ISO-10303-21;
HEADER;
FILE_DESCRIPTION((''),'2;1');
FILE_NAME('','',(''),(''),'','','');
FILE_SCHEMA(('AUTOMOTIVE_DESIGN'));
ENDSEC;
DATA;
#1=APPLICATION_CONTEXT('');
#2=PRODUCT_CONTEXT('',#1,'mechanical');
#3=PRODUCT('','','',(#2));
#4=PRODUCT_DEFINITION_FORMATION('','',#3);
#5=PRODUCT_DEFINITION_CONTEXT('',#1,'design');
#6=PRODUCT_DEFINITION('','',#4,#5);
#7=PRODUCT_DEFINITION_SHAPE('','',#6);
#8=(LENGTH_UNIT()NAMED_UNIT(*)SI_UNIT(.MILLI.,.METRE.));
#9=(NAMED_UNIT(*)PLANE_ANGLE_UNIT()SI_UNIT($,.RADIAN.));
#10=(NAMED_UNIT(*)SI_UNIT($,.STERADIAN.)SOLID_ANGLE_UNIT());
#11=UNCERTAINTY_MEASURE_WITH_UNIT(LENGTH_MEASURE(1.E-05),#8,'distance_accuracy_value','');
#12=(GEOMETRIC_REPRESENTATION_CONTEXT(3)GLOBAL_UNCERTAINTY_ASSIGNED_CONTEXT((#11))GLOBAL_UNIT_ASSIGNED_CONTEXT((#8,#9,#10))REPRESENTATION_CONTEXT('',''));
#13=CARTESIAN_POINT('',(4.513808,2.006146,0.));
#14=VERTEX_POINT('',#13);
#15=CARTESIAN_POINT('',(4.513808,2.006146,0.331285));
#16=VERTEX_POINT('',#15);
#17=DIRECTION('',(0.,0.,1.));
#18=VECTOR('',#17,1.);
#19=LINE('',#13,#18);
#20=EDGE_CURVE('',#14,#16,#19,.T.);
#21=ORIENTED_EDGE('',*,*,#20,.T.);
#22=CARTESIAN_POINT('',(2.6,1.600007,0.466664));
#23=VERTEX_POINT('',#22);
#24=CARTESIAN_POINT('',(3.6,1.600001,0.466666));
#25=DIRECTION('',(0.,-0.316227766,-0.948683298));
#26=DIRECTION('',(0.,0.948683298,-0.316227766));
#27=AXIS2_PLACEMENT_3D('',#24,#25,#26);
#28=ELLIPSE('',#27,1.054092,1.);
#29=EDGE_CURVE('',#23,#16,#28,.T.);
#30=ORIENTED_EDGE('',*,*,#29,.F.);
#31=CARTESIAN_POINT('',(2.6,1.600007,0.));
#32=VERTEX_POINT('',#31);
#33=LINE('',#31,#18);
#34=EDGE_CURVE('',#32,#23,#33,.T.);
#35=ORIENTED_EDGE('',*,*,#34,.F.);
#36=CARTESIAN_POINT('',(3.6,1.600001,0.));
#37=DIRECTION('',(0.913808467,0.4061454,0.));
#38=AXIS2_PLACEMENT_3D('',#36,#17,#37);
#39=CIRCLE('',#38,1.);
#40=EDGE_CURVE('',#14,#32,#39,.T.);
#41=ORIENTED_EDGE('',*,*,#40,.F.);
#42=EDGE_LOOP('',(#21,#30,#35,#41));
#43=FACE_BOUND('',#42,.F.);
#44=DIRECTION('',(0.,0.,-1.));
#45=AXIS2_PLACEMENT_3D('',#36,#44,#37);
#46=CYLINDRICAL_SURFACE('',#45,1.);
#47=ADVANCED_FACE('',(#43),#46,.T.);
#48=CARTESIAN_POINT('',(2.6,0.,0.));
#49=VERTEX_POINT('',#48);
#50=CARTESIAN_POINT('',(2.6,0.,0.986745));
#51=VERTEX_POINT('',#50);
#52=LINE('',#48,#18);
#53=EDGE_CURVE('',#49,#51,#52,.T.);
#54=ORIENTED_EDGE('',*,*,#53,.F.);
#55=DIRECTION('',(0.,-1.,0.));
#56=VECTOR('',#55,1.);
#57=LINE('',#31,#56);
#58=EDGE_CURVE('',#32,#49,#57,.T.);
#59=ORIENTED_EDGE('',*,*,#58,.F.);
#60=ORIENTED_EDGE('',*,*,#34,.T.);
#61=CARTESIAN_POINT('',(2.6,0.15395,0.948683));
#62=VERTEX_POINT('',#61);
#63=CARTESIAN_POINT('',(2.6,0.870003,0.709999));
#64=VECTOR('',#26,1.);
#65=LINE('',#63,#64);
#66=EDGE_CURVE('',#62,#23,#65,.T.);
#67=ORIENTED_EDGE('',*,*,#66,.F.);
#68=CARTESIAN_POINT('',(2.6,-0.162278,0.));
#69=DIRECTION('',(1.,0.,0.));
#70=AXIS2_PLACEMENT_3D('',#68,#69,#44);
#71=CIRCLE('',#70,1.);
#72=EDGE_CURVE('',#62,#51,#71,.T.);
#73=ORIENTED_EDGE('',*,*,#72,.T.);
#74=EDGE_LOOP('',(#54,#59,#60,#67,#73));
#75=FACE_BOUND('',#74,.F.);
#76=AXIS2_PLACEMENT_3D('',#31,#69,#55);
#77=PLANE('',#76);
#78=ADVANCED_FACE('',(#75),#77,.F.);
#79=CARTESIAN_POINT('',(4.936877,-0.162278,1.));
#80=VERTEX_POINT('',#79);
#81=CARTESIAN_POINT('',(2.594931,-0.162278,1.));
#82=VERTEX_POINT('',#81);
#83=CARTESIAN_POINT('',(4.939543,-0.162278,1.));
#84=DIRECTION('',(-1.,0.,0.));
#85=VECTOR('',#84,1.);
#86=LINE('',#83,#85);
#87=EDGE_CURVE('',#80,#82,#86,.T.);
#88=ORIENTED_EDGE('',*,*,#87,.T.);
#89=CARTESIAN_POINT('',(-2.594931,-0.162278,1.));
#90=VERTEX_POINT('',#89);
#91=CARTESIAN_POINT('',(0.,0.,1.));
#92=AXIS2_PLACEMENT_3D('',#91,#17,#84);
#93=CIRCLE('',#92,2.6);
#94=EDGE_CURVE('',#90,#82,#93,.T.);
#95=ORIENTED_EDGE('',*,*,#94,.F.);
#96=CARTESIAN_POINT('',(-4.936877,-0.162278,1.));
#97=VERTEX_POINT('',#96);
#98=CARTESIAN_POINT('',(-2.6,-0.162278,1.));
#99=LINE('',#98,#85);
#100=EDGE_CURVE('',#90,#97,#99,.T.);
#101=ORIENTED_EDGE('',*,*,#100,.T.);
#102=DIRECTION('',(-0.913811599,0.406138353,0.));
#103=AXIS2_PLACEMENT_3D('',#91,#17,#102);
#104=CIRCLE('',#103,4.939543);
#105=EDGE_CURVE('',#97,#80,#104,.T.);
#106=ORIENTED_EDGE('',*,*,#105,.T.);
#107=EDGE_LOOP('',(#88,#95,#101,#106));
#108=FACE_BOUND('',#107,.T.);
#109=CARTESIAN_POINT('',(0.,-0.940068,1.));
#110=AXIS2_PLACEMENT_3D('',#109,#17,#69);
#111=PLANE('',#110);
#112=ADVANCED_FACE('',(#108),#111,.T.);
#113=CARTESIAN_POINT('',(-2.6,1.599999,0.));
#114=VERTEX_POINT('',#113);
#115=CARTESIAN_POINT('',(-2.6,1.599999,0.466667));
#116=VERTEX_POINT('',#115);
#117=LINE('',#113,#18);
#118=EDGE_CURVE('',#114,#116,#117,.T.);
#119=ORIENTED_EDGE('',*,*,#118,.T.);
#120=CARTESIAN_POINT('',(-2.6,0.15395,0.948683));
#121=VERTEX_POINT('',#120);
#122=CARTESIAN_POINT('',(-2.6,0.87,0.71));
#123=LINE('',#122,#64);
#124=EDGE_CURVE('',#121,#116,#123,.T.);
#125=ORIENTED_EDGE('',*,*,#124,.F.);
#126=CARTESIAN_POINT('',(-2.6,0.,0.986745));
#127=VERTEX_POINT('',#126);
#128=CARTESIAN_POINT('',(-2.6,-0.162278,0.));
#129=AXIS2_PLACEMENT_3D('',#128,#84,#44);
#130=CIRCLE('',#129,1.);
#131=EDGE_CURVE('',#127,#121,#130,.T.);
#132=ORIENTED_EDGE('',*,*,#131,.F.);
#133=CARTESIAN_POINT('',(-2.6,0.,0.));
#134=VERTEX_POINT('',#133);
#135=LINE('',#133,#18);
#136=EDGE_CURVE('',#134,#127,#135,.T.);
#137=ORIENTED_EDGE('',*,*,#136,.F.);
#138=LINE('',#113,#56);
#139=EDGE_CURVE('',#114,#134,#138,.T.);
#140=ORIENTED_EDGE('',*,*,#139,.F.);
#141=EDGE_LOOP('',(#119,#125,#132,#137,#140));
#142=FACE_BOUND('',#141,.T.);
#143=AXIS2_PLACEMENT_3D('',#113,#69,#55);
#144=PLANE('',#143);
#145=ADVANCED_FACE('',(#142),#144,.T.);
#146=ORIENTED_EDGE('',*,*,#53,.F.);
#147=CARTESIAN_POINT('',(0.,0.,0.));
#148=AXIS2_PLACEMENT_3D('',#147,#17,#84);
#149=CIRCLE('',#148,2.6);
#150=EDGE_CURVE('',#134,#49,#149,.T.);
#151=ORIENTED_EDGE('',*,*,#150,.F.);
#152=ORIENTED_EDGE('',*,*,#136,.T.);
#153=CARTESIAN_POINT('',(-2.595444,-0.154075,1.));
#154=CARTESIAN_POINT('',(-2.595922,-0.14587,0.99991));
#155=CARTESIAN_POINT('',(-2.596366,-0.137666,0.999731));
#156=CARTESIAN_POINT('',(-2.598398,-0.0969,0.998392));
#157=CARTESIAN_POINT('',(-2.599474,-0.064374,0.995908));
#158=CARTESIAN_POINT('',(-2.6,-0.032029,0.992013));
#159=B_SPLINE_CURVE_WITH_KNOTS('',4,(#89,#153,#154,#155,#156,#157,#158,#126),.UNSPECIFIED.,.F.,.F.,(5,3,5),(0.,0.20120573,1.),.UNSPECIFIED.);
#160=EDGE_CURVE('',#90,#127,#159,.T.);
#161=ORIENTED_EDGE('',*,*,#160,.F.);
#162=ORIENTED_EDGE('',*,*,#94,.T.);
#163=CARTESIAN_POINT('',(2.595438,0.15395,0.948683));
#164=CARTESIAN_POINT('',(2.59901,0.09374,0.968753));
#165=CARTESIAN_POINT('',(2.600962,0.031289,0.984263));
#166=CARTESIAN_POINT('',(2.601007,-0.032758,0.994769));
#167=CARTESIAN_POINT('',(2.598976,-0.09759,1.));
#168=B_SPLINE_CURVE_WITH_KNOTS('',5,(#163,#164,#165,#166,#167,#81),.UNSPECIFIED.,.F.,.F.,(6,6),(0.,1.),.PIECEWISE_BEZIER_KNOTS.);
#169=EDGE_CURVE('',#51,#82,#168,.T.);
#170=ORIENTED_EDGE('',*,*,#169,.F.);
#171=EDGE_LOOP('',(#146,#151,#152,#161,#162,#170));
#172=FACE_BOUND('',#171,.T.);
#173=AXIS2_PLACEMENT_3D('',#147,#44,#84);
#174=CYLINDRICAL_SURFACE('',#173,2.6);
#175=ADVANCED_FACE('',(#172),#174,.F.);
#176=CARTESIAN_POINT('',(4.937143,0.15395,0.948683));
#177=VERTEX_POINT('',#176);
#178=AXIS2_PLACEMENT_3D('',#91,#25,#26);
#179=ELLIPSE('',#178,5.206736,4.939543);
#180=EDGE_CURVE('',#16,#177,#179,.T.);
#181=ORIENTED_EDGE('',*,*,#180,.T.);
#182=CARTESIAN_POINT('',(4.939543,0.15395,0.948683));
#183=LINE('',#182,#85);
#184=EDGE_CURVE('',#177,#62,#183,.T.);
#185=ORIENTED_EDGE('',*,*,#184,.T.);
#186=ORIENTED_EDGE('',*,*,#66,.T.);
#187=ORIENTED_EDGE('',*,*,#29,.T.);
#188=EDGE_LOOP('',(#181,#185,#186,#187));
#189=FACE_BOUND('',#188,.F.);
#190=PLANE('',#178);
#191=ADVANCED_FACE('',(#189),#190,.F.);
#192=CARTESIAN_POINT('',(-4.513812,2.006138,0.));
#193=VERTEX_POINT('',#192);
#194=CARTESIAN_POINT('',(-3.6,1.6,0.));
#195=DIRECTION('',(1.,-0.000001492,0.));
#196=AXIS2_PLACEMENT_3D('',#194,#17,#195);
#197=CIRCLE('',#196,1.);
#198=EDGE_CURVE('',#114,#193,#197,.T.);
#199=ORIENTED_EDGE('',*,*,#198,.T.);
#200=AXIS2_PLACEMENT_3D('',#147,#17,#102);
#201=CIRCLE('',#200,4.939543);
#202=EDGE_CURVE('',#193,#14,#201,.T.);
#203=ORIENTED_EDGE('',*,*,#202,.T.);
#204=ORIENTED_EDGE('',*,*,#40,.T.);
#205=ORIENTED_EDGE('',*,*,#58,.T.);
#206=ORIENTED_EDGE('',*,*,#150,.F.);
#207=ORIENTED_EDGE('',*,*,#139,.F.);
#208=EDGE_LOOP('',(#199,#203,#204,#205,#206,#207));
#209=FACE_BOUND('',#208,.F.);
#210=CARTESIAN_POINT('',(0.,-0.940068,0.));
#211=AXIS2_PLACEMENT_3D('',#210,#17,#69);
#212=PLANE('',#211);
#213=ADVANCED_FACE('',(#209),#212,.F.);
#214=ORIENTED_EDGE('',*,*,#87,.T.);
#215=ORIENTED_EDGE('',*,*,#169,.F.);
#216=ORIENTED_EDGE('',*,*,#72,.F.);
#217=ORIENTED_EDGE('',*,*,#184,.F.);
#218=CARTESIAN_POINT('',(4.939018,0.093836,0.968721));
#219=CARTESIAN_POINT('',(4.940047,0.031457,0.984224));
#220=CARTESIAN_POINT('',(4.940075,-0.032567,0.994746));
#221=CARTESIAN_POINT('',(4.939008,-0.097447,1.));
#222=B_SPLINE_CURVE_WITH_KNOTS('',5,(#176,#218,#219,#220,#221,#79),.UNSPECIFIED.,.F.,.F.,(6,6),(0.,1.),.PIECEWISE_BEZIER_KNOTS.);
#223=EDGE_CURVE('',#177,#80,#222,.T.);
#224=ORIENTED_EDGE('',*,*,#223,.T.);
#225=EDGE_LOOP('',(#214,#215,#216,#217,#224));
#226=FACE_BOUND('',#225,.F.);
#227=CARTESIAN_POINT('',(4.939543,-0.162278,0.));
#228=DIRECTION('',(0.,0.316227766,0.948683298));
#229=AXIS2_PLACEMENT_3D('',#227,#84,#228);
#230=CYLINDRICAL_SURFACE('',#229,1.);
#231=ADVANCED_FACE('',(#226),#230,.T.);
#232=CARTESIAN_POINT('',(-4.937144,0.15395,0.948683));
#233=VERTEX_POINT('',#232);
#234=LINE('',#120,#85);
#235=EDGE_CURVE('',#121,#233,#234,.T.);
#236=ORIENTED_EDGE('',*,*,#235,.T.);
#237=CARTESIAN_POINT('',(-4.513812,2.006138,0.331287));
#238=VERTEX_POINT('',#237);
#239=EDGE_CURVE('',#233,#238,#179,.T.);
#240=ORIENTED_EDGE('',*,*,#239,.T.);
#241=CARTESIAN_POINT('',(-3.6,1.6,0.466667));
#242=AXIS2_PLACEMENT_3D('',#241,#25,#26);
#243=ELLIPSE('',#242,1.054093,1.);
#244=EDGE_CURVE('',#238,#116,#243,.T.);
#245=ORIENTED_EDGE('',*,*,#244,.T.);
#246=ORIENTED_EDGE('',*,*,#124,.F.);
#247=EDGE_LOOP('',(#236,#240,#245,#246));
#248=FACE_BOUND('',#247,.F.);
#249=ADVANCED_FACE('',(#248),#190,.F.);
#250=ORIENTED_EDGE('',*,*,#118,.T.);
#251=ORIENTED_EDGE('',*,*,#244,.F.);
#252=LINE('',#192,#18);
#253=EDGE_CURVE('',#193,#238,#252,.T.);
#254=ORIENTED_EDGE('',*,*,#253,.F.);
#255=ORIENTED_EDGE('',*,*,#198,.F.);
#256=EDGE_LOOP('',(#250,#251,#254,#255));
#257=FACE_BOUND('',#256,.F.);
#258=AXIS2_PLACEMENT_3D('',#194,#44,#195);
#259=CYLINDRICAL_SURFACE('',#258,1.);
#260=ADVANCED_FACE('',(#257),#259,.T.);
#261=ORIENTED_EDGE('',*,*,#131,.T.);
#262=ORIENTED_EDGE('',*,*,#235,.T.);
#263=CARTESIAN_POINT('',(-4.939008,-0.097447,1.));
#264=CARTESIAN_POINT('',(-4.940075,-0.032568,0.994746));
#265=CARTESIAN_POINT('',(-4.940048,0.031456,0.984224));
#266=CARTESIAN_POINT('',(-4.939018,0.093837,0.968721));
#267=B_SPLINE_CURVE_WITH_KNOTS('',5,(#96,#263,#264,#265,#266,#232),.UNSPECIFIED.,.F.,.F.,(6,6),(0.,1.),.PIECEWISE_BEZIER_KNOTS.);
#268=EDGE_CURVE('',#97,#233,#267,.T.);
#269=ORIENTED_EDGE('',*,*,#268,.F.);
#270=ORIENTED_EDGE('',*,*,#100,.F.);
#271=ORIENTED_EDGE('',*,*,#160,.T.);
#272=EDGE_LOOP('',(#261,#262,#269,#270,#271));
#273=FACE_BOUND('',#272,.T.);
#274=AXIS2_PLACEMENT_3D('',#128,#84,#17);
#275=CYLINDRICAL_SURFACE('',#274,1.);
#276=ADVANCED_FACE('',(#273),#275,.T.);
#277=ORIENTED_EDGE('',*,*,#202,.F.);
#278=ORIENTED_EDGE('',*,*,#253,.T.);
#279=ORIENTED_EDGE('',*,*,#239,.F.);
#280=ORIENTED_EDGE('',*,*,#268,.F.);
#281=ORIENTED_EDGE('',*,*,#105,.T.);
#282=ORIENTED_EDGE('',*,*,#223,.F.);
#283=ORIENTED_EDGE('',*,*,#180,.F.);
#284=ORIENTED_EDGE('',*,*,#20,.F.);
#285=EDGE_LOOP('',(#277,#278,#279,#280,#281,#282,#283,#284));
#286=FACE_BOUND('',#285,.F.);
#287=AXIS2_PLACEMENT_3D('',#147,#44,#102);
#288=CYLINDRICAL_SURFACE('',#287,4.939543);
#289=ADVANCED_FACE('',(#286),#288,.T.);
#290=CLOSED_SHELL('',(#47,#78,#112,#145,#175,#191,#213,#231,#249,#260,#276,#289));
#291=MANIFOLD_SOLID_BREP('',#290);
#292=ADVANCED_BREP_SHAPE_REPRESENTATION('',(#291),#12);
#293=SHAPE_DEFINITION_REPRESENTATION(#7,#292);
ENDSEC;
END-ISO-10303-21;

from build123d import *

# Parameters (mm, degrees)
PAD001_DEPTH = 5
PAD_DEPTH    = 1
FILLET_R     = 1


with BuildPart() as pad001:
    # Sketch001 → Pad001 (new body, symmetric)
    with BuildSketch(Plane.YZ):
        Polygon((0, 1), (3, 0), (3, 1), align=None)
    extrude(amount=PAD001_DEPTH, both=True)


with BuildPart() as fillet_body:
    # Sketch → Pad (new body)
    with BuildSketch(Plane.XY):
        with BuildLine():
            ThreePointArc((-4.513812, 2.006138), (4e-06, -4.939543), (4.513808, 2.006146))
            ThreePointArc((4.513808, 2.006146), (3.392408, 2.578216), (2.6, 1.600007))
            Line((2.6, 1.600007), (2.6, 0))
            ThreePointArc((-2.6, 0), (0, -2.6), (2.6, 0))
            Line((-2.6, 1.599999), (-2.6, 0))
            ThreePointArc((-2.6, 1.599999), (-3.392408, 2.578216), (-4.513812, 2.006138))
        make_face()
    extrude(amount=PAD_DEPTH)

    # Cut: cut Pad001
    add(pad001.part, mode=Mode.SUBTRACT)

    # Fillet
    fillet_edges = [fillet_body.edges().sort_by_distance(p)[0] for p in [
        (3.769772, 0, 1),
        (-3.769772, 0, 1),
    ]]
    fillet(fillet_edges, radius=FILLET_R)


solid = fillet_body.part
